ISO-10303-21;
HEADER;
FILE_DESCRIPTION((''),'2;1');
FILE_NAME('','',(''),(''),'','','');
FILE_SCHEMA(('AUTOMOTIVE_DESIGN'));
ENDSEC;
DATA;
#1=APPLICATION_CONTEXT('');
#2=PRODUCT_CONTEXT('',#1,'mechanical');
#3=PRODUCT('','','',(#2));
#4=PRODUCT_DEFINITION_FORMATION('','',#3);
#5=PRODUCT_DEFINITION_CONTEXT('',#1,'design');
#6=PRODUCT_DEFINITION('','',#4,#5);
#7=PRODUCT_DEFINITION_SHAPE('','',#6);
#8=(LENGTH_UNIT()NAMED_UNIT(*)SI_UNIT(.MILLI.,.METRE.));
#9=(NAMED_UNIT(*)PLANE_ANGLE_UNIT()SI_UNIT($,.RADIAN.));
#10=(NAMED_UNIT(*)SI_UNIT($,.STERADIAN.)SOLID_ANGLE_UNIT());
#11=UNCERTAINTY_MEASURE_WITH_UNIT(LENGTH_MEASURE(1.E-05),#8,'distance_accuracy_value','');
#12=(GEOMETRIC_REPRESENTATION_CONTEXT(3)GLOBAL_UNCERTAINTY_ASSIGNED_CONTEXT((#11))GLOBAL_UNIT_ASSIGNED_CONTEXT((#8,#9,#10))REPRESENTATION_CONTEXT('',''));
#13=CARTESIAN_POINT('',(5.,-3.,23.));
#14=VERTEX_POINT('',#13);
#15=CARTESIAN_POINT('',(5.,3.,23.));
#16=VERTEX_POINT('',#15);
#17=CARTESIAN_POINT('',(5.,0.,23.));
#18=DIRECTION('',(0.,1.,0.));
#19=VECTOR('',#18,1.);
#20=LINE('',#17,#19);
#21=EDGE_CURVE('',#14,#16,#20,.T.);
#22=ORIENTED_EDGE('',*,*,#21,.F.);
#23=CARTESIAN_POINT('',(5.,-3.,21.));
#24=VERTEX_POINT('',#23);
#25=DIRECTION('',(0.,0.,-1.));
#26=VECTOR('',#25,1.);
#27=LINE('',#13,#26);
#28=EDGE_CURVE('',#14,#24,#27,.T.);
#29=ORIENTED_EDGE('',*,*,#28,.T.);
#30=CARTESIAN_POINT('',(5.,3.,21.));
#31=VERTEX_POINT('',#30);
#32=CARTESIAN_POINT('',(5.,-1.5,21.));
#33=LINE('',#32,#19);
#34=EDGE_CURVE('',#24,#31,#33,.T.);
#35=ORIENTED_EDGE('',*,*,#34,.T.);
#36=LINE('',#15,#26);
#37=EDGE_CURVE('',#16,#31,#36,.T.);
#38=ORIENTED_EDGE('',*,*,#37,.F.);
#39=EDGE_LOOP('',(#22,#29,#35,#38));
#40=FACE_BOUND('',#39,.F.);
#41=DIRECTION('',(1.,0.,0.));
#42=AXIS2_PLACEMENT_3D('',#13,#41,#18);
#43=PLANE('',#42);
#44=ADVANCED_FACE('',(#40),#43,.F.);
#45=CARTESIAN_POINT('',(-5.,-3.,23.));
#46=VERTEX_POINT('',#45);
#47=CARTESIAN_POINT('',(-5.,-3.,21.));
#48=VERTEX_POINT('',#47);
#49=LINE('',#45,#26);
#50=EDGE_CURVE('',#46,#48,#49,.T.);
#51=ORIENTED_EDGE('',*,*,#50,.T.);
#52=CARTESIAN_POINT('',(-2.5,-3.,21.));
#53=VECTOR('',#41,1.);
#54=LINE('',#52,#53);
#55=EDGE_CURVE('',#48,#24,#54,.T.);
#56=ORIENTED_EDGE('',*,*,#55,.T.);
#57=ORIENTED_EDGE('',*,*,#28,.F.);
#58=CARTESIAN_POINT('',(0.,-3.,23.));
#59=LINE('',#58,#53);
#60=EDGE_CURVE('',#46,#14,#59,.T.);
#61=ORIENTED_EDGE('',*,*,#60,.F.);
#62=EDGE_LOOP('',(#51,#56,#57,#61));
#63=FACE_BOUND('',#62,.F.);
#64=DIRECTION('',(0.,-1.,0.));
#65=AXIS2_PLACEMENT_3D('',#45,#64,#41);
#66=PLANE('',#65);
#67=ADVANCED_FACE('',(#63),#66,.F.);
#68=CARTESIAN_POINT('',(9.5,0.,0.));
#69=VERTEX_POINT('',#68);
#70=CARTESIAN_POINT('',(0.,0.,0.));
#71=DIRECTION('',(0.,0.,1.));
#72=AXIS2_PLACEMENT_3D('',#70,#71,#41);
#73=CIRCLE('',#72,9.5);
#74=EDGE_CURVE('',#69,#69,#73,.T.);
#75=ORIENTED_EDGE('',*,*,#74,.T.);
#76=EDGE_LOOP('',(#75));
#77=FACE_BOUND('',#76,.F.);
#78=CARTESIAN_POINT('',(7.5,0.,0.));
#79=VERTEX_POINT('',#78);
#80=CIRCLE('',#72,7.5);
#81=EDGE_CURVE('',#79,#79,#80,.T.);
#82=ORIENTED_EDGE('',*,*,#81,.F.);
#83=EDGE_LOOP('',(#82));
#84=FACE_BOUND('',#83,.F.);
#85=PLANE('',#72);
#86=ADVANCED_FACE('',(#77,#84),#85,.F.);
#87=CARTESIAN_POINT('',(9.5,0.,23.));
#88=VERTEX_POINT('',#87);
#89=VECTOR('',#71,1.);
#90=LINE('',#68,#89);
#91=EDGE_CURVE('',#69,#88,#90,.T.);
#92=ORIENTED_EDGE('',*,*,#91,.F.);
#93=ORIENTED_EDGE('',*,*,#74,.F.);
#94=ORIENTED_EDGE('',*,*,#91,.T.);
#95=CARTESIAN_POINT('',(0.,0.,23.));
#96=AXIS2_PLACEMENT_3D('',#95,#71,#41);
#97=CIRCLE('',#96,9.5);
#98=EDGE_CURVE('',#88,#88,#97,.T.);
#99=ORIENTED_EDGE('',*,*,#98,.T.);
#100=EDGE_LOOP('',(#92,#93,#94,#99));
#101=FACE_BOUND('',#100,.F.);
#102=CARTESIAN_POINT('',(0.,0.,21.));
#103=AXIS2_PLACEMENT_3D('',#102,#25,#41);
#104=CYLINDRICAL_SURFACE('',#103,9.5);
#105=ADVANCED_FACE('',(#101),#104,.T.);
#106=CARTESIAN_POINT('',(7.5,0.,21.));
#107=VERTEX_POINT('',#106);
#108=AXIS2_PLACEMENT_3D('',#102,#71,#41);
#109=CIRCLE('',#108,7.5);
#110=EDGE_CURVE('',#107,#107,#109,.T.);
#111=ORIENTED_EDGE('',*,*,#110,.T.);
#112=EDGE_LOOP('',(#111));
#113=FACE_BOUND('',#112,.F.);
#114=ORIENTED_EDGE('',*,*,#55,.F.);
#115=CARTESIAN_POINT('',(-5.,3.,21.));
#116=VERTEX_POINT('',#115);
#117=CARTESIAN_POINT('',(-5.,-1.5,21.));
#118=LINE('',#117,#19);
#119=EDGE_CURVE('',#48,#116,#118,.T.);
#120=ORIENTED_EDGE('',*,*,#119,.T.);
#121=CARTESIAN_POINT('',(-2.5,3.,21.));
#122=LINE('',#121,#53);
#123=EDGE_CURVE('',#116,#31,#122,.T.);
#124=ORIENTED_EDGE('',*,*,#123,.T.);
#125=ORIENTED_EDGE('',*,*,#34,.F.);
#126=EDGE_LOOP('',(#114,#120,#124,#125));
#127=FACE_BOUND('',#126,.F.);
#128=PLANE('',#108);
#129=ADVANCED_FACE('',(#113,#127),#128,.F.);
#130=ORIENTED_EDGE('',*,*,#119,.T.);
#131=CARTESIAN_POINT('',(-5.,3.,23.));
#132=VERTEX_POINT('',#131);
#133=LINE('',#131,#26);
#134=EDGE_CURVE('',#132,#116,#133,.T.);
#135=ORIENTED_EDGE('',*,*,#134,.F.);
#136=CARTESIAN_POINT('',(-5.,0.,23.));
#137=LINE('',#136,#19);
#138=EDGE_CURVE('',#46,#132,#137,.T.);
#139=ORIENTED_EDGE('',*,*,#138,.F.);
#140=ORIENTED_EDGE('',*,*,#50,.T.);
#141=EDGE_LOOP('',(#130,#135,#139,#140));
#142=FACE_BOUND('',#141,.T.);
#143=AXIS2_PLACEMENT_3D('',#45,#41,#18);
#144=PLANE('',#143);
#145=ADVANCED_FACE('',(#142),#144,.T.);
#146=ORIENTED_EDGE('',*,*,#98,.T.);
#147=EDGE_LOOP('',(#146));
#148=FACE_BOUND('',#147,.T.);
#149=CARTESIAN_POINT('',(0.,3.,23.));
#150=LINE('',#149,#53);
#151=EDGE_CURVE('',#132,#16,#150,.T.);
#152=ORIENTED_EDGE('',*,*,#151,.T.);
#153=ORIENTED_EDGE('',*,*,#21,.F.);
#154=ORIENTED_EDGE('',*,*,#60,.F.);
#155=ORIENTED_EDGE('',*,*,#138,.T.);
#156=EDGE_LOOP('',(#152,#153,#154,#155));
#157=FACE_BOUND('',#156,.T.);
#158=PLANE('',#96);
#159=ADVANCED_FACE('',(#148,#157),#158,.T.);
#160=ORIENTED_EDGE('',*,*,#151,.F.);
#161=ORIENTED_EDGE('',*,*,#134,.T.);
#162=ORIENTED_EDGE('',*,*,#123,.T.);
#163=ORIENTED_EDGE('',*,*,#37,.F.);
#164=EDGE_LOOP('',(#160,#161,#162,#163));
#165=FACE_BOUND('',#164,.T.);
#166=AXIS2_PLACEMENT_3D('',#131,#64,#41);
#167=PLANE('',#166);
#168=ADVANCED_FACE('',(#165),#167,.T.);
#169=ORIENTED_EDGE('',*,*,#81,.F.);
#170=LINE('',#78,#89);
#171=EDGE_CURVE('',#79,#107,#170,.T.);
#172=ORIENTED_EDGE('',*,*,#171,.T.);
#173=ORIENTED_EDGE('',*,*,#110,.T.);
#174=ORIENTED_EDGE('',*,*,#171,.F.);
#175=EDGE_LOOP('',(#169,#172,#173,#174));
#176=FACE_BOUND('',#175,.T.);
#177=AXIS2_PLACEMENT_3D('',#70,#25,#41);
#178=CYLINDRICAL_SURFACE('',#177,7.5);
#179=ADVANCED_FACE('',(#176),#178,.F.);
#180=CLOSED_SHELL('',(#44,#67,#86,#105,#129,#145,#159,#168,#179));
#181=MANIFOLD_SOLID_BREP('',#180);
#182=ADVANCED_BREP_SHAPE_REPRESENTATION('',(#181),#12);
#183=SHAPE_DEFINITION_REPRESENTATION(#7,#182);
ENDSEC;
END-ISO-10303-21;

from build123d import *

# Parameters (mm, degrees)
SKETCH_R     = 9.5
SKETCH_R_2   = 7.5
PAD_DEPTH    = 21
SKETCH001_R  = 9.5
PAD001_DEPTH = 2
SKETCH002_W  = 10
SKETCH002_H  = 6
POCKET_DEPTH = 5


with BuildPart() as part:
    # Sketch → Pad (new body)
    with BuildSketch(Plane.XY):
        Circle(SKETCH_R)
        Circle(SKETCH_R_2, mode=Mode.SUBTRACT)
    extrude(amount=PAD_DEPTH)

    # Sketch001 → Pad001 (new body)
    with BuildSketch(Plane.XY.offset(21)):
        Circle(SKETCH001_R)
    extrude(amount=PAD001_DEPTH)

    # Sketch002 → Pocket (cut)
    with BuildSketch(Plane.XY.offset(23)):
        Rectangle(SKETCH002_W, SKETCH002_H)
    extrude(amount=-POCKET_DEPTH, mode=Mode.SUBTRACT)


solid = part.part
